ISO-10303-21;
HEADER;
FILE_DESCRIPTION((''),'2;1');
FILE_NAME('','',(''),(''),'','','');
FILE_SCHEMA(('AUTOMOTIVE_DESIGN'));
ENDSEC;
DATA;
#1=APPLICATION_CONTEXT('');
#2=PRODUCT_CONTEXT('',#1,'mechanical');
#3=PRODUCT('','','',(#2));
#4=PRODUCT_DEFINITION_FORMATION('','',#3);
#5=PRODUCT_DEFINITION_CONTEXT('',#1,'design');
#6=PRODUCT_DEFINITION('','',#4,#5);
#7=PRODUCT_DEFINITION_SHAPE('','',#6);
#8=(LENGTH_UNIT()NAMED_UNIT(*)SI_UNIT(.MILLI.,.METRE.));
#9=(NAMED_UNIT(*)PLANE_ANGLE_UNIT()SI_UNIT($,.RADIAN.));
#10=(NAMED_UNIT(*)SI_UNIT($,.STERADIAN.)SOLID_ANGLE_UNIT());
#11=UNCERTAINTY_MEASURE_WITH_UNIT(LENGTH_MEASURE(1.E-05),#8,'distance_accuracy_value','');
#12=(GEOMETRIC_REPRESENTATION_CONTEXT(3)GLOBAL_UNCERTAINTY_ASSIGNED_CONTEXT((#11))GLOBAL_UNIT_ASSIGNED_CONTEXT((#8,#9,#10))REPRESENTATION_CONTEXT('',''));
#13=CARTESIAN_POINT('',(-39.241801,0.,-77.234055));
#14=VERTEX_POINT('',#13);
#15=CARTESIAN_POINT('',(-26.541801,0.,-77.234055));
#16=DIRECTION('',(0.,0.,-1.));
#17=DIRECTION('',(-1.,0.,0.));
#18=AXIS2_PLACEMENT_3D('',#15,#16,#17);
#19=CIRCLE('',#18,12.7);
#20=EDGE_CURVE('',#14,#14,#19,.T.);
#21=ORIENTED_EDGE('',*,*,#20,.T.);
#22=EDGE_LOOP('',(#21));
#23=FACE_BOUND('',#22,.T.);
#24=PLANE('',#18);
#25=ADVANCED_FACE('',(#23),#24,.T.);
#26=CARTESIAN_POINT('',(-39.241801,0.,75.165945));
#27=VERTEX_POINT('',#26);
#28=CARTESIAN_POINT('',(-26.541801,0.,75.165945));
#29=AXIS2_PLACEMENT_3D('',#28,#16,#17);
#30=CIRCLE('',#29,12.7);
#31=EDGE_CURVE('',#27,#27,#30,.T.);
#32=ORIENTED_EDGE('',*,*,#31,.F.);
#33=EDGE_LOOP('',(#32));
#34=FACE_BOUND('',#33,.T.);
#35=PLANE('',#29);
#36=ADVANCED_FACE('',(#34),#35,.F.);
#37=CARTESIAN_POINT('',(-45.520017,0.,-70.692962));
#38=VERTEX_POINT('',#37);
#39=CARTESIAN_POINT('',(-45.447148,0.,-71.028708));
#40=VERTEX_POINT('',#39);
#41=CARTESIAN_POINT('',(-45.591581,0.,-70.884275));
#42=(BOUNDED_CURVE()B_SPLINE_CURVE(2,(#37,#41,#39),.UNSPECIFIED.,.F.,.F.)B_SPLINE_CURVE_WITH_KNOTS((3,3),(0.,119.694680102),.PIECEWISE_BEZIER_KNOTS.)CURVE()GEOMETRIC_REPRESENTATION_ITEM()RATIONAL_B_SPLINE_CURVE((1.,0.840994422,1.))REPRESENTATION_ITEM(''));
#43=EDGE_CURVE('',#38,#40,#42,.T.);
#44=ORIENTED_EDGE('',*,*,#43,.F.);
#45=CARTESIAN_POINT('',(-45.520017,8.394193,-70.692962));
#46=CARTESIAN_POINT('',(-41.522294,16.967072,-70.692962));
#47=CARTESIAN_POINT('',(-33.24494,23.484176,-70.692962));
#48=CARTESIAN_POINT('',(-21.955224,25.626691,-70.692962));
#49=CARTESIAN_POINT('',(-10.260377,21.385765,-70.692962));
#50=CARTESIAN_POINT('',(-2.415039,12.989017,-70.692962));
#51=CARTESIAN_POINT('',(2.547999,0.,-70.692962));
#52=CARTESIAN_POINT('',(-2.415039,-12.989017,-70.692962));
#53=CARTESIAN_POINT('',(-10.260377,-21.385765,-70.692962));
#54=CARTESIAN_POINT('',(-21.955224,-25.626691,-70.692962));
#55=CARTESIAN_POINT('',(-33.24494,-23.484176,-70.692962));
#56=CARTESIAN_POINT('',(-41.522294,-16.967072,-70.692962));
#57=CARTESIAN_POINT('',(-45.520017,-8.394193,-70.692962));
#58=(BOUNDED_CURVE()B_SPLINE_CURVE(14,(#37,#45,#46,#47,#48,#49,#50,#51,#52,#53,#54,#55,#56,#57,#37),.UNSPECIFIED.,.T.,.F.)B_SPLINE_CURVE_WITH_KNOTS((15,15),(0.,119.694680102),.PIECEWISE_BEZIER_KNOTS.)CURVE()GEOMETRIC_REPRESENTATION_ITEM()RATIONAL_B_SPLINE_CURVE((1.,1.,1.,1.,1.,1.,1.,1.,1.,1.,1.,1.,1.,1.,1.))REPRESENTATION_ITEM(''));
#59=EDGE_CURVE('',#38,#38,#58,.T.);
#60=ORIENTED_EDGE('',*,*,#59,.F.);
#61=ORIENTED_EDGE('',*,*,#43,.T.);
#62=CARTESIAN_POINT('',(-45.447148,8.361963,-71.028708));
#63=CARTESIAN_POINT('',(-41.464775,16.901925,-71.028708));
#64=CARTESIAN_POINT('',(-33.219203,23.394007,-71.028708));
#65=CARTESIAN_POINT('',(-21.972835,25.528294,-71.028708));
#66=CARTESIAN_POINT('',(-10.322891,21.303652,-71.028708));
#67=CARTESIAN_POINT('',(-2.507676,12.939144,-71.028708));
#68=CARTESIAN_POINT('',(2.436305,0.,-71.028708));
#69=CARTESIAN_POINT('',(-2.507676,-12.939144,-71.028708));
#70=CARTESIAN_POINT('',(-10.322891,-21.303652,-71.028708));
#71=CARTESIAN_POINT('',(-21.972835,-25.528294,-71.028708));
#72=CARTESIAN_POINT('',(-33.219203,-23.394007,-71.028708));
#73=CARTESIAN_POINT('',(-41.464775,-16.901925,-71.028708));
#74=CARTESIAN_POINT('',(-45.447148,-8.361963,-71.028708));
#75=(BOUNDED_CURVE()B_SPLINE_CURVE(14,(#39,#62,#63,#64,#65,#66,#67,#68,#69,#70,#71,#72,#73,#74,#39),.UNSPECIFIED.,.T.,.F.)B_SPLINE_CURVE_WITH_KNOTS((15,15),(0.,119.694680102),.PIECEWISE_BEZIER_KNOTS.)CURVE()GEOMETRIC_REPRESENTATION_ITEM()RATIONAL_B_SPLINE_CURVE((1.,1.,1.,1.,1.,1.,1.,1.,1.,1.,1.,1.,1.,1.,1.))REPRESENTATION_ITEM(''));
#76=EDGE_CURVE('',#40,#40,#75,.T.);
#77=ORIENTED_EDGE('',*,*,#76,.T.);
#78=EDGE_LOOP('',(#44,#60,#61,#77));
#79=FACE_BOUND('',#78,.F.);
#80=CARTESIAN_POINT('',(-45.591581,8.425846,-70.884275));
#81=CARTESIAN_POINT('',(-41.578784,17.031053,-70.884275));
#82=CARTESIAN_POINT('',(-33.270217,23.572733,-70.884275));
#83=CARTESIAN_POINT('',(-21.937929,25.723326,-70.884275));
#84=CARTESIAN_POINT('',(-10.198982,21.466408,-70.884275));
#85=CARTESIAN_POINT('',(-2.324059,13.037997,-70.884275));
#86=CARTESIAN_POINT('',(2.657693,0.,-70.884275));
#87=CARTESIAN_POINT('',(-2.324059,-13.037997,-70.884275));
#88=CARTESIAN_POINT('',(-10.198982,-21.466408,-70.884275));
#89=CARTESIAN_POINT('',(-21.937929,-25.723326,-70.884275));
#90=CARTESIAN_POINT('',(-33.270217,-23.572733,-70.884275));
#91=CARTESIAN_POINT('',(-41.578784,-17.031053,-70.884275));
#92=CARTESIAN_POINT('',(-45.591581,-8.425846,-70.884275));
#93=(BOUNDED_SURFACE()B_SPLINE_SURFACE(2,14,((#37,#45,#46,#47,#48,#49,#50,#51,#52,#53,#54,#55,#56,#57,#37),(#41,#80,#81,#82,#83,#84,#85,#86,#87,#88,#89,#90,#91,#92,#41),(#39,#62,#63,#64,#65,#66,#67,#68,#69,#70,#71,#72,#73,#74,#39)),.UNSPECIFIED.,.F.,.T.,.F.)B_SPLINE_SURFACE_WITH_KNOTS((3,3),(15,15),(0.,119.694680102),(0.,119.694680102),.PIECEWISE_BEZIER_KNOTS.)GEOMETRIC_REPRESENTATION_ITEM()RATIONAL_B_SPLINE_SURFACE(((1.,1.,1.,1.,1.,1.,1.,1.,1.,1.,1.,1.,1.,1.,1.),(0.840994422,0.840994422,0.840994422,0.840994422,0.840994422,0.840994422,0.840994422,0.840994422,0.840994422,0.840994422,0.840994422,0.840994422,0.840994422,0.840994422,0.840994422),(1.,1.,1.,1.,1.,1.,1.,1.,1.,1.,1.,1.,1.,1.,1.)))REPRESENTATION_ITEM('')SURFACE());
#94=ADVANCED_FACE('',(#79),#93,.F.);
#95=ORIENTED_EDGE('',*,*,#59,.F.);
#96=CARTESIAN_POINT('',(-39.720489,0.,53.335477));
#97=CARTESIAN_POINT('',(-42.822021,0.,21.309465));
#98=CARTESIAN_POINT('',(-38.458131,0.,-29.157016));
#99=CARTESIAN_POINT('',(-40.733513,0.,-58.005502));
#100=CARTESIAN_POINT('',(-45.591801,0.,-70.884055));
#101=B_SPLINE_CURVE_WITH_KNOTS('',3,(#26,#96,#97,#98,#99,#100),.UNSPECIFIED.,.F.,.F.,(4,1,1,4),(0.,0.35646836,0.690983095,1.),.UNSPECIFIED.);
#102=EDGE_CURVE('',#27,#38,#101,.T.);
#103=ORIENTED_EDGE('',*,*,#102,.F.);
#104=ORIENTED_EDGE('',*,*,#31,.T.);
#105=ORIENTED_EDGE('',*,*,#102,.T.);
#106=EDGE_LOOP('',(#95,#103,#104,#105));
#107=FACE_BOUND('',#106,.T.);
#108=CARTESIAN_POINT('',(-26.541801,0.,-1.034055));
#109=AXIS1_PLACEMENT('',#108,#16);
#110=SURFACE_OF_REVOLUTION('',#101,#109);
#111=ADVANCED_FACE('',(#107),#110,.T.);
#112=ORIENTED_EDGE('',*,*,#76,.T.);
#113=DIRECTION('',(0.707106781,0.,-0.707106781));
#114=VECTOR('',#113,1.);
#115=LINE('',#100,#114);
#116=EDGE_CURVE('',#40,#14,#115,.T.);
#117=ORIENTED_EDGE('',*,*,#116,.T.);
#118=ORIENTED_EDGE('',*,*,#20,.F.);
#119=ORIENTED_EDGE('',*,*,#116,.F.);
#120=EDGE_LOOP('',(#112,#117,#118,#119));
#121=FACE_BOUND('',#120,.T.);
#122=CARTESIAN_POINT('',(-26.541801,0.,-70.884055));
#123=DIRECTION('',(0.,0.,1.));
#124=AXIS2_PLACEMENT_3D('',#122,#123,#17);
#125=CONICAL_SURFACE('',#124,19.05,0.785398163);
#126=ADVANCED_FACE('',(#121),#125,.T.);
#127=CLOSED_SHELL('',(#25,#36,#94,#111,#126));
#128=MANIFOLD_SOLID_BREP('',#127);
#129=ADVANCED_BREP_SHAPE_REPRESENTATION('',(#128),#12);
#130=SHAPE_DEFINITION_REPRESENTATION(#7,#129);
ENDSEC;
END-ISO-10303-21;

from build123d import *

# Parameters (mm, degrees)
F2_R = 0.3175


with BuildPart() as f1:
    # F0 (on Front) → F1 (revolve)
    with BuildSketch(Plane.XZ):
        with BuildLine():
            Line((-26.541801405, -77.2340549052), (-26.541801405, 75.1659450948))
            Line((-26.541801405, 75.1659450948), (-39.241801405, 75.1659450948))
            add(Edge.make_bspline(
                [(-39.241801405, 75.1659450948), (-39.7204891831, 53.3354766667), (-42.8220209261, 21.3094645358), (-38.4581307487, -29.1570159395), (-40.7335126802, -58.0055015275), (-45.591801405, -70.8840549052)],
                knots=[0, 0, 0, 0, 0.3564683603, 0.6909830952, 1, 1, 1, 1], degree=3))
            Line((-45.591801405, -70.8840549052), (-39.241801405, -77.2340549052))
            Line((-39.241801405, -77.2340549052), (-26.541801405, -77.2340549052))
        make_face()
    revolve(axis=Axis((-26.541801405, 0, -1.0340549052), (0, 0, -1)))

    # F2
    f2_edges = [f1.edges().sort_by_distance(p)[0] for p in [
        (-7.491801, 0, -70.884055),
    ]]
    fillet(f2_edges, radius=F2_R)


solid = f1.part
